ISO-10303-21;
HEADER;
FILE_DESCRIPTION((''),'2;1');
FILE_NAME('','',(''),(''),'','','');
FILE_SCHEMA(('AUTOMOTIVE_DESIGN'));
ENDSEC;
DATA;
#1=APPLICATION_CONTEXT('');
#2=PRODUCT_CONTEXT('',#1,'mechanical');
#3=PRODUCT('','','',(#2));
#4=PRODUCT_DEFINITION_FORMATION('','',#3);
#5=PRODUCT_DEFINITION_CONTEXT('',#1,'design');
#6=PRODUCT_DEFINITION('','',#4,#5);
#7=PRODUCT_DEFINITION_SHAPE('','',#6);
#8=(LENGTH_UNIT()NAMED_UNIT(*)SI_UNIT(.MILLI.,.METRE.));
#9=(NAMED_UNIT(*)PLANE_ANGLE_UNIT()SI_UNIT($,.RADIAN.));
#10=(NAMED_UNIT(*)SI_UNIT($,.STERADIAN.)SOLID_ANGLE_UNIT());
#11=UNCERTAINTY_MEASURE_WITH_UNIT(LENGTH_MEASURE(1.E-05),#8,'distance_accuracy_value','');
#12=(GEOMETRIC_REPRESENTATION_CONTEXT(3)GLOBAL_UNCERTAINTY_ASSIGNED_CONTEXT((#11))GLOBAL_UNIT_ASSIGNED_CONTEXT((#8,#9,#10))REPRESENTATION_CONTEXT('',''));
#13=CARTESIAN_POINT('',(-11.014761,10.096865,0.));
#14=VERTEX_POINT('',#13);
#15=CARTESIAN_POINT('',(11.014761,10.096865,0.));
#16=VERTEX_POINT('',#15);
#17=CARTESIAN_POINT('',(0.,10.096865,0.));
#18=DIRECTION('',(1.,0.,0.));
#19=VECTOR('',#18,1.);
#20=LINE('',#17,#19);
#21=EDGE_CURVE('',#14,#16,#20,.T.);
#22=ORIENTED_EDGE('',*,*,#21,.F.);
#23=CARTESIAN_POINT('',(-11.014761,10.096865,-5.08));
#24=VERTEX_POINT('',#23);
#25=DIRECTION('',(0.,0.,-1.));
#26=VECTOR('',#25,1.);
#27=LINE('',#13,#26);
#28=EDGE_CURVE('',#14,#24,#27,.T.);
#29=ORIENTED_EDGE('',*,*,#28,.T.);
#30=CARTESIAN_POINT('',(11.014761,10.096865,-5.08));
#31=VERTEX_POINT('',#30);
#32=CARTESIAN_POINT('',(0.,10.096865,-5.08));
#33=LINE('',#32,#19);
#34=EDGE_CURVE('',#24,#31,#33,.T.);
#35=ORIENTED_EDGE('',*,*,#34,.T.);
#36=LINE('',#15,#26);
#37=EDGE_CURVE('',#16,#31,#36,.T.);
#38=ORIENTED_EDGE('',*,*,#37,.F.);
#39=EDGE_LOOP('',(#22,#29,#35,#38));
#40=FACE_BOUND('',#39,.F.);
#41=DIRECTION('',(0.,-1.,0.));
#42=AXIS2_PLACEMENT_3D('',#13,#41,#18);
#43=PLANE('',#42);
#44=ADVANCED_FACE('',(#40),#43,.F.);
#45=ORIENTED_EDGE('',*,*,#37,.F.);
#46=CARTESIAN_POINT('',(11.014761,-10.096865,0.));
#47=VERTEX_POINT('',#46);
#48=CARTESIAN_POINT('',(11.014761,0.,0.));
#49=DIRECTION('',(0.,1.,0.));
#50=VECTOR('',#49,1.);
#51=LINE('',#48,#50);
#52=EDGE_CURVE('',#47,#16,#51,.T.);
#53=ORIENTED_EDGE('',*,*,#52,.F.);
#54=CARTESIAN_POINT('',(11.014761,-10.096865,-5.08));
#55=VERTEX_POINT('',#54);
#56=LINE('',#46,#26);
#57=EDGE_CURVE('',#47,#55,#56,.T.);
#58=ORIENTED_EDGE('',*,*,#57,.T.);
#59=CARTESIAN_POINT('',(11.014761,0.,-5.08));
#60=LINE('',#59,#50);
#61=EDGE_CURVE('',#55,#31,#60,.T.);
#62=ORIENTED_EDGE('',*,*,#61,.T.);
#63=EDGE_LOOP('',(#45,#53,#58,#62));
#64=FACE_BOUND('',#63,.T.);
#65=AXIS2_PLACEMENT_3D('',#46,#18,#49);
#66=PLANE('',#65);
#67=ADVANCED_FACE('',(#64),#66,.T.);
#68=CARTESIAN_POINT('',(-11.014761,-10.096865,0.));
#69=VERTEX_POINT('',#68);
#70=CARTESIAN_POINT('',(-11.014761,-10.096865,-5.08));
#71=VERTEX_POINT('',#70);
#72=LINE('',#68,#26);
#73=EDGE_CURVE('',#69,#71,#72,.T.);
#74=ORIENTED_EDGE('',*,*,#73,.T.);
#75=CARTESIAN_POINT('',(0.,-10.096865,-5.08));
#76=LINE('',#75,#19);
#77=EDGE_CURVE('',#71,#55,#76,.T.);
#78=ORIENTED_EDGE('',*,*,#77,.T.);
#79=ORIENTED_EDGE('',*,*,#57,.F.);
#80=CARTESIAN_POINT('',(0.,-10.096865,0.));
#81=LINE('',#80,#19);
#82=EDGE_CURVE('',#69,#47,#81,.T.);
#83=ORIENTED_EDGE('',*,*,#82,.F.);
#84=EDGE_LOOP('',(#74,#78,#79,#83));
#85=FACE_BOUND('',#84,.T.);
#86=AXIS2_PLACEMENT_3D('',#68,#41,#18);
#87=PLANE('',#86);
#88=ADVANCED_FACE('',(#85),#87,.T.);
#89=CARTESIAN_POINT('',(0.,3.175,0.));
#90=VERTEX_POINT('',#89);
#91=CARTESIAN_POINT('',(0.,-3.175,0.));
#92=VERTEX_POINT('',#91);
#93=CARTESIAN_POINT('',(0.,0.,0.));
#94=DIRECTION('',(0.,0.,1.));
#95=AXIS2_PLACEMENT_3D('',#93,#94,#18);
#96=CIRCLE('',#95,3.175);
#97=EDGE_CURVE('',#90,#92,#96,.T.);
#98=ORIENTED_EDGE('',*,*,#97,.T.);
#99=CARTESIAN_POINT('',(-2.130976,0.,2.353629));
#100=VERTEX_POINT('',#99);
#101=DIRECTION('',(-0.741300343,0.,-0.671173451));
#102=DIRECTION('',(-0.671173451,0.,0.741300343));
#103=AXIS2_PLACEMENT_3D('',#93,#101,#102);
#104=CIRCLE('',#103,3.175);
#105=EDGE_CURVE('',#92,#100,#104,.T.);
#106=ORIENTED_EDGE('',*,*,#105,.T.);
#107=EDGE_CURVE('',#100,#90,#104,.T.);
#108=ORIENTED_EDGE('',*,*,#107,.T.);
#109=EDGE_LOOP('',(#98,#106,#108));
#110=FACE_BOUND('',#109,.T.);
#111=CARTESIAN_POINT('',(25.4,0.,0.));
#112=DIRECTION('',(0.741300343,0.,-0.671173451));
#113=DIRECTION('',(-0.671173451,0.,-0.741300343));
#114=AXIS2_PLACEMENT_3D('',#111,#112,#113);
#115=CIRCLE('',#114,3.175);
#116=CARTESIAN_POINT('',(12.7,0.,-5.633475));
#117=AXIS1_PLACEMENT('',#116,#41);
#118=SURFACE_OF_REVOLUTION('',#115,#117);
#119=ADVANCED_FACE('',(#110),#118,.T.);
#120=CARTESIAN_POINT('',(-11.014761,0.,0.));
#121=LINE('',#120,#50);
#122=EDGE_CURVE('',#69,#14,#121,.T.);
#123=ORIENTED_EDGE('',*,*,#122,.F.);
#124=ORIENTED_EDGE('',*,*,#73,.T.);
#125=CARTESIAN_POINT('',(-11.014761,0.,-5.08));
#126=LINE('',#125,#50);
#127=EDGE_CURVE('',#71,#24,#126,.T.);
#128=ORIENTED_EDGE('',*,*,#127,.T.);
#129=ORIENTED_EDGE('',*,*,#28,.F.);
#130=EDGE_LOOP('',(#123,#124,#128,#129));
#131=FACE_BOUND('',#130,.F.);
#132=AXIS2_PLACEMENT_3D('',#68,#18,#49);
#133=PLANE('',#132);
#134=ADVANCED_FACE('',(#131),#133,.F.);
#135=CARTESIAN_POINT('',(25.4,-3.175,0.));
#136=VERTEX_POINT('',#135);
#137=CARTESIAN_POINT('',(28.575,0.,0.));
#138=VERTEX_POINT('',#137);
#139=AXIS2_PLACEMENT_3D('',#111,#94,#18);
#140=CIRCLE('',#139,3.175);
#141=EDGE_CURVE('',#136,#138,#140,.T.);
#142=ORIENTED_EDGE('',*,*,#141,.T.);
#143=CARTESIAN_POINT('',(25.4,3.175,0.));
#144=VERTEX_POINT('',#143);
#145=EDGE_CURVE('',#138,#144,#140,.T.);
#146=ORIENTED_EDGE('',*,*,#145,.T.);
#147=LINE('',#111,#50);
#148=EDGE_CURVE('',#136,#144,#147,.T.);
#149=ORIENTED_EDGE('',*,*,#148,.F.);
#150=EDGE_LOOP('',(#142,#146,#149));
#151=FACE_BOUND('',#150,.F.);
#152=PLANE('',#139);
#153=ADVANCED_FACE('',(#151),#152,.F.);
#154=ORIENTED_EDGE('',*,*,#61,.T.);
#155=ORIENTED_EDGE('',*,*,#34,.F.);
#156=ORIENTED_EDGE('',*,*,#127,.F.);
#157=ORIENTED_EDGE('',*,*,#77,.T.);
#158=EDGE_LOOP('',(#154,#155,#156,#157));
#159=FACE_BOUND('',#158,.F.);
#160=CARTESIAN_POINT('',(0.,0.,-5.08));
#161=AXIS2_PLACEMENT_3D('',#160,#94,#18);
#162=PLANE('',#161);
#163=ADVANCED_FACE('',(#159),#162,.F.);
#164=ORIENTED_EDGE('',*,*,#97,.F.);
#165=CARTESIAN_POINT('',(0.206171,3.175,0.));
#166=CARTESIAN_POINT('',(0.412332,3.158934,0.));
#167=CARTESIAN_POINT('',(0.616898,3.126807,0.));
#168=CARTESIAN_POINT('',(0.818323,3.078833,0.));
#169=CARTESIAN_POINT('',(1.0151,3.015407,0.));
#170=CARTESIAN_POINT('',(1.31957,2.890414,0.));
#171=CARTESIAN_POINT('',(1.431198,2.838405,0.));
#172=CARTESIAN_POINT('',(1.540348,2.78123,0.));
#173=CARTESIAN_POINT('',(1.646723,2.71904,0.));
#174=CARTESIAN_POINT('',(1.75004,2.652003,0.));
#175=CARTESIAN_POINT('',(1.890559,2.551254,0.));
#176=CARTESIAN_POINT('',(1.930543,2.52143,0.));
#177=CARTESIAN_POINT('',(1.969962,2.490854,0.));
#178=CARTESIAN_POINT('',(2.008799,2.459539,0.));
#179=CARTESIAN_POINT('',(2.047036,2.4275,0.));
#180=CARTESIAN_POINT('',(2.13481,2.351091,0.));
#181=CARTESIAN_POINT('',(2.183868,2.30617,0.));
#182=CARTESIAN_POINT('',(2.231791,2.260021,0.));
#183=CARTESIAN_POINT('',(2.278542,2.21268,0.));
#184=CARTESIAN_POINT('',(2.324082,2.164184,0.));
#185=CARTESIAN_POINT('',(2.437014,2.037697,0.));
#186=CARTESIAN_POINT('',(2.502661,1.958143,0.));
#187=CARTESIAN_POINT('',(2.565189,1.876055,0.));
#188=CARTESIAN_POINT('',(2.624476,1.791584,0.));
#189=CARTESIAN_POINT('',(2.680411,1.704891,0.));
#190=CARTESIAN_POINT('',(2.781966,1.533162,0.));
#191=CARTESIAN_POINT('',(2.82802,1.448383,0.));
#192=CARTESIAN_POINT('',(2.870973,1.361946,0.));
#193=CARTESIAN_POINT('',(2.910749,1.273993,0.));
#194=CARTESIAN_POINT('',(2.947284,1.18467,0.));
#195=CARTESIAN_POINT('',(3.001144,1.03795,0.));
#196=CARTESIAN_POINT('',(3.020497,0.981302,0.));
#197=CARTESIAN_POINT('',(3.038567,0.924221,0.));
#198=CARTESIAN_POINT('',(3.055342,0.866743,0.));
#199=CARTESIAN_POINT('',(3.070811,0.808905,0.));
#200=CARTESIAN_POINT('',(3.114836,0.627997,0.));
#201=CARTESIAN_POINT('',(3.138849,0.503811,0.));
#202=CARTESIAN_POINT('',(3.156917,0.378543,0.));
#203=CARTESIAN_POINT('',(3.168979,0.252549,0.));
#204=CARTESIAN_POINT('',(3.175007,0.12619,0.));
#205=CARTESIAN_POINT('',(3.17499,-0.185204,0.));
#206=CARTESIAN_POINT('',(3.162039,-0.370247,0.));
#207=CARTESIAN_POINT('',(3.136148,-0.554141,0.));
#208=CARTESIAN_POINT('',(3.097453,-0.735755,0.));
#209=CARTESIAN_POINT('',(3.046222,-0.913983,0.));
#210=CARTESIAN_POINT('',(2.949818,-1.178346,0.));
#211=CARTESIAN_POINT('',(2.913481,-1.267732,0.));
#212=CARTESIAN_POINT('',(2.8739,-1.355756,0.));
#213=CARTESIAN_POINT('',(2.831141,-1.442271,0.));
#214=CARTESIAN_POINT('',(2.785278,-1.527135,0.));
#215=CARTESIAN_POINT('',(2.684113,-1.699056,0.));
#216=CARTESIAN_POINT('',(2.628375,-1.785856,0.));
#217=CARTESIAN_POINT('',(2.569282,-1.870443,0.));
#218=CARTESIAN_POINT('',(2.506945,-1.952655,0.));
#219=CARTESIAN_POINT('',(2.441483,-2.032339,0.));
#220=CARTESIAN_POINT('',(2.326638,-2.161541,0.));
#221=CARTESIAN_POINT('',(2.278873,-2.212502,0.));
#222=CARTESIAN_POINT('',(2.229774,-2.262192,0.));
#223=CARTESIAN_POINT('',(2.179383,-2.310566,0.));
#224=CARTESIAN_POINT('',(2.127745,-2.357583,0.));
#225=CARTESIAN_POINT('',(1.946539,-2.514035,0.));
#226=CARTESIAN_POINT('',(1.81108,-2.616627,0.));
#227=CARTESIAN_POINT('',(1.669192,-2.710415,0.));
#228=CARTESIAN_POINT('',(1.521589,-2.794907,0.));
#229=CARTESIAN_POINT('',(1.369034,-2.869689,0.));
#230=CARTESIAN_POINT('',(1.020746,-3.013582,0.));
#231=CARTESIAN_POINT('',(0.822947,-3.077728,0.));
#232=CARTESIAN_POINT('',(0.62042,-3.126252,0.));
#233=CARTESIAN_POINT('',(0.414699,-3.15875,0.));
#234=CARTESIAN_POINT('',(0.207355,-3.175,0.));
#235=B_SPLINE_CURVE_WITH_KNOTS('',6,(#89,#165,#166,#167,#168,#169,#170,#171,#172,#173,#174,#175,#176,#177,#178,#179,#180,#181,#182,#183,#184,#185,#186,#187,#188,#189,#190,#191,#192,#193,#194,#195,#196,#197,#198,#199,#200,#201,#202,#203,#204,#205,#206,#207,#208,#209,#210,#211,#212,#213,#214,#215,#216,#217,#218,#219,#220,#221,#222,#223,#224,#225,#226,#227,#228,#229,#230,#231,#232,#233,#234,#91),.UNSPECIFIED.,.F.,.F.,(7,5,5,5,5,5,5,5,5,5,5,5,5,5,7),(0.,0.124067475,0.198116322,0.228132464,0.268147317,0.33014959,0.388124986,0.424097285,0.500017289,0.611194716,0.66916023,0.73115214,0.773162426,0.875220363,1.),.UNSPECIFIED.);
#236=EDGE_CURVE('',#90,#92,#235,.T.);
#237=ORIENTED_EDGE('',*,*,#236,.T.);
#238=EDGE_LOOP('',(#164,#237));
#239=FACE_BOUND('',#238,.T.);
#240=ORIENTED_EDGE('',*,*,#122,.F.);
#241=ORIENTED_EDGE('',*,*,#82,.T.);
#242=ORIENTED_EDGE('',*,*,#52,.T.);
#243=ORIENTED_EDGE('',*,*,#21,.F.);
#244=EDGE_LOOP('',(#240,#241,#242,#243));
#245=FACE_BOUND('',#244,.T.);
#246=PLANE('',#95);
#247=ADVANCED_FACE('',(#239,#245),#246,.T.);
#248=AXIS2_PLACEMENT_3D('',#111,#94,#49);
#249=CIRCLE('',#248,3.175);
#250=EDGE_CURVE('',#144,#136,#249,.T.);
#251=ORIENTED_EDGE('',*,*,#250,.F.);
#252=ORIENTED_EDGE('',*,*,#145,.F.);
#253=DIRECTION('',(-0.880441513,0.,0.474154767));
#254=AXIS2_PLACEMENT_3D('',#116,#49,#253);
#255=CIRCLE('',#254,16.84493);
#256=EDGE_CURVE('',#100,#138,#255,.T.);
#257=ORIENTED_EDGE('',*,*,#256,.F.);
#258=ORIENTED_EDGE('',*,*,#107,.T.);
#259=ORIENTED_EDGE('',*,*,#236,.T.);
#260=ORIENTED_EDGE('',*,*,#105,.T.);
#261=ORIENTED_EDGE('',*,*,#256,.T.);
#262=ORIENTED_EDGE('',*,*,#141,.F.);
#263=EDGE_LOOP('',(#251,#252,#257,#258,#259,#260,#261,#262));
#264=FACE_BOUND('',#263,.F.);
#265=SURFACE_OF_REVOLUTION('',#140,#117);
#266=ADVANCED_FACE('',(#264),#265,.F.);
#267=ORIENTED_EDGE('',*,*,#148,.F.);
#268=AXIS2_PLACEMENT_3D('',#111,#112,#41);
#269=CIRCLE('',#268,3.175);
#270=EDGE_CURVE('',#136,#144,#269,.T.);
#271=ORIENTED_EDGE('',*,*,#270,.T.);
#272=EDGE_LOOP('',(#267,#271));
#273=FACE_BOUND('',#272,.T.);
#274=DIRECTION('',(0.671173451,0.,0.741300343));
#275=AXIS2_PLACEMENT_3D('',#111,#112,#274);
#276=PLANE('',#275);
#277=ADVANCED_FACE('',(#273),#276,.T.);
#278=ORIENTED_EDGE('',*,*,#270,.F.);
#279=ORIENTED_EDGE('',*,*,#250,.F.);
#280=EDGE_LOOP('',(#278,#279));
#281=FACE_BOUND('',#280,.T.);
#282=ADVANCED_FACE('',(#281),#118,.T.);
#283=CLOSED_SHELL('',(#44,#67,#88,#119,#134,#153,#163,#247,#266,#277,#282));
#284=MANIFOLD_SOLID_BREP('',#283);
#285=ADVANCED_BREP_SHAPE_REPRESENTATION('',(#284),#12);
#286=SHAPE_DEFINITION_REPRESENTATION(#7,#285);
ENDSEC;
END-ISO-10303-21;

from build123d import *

# Parameters (mm, degrees)
F0_R     = 3.175
F3_W     = 22.029522
F3_H     = 20.19373
F4_DEPTH = 5.08


with BuildPart() as f2:
    # F2: sweep along a path in F1
    with BuildLine(Plane.XZ) as f2_path:
        ThreePointArc((25.4, 0), (12.7, 8.259906), (0, 0))
    # F0 (on Top) → F2 (sweep)
    with BuildSketch(Plane.XY):
        Circle(F0_R)
        with Locations((25.4, 0)):
            Circle(F0_R)
    sweep(path=f2_path.line)

    # F3 (on Top) → F4 (join)
    with BuildSketch(Plane.XY):
        Rectangle(F3_W, F3_H)
    extrude(amount=-F4_DEPTH)


solid = f2.part
